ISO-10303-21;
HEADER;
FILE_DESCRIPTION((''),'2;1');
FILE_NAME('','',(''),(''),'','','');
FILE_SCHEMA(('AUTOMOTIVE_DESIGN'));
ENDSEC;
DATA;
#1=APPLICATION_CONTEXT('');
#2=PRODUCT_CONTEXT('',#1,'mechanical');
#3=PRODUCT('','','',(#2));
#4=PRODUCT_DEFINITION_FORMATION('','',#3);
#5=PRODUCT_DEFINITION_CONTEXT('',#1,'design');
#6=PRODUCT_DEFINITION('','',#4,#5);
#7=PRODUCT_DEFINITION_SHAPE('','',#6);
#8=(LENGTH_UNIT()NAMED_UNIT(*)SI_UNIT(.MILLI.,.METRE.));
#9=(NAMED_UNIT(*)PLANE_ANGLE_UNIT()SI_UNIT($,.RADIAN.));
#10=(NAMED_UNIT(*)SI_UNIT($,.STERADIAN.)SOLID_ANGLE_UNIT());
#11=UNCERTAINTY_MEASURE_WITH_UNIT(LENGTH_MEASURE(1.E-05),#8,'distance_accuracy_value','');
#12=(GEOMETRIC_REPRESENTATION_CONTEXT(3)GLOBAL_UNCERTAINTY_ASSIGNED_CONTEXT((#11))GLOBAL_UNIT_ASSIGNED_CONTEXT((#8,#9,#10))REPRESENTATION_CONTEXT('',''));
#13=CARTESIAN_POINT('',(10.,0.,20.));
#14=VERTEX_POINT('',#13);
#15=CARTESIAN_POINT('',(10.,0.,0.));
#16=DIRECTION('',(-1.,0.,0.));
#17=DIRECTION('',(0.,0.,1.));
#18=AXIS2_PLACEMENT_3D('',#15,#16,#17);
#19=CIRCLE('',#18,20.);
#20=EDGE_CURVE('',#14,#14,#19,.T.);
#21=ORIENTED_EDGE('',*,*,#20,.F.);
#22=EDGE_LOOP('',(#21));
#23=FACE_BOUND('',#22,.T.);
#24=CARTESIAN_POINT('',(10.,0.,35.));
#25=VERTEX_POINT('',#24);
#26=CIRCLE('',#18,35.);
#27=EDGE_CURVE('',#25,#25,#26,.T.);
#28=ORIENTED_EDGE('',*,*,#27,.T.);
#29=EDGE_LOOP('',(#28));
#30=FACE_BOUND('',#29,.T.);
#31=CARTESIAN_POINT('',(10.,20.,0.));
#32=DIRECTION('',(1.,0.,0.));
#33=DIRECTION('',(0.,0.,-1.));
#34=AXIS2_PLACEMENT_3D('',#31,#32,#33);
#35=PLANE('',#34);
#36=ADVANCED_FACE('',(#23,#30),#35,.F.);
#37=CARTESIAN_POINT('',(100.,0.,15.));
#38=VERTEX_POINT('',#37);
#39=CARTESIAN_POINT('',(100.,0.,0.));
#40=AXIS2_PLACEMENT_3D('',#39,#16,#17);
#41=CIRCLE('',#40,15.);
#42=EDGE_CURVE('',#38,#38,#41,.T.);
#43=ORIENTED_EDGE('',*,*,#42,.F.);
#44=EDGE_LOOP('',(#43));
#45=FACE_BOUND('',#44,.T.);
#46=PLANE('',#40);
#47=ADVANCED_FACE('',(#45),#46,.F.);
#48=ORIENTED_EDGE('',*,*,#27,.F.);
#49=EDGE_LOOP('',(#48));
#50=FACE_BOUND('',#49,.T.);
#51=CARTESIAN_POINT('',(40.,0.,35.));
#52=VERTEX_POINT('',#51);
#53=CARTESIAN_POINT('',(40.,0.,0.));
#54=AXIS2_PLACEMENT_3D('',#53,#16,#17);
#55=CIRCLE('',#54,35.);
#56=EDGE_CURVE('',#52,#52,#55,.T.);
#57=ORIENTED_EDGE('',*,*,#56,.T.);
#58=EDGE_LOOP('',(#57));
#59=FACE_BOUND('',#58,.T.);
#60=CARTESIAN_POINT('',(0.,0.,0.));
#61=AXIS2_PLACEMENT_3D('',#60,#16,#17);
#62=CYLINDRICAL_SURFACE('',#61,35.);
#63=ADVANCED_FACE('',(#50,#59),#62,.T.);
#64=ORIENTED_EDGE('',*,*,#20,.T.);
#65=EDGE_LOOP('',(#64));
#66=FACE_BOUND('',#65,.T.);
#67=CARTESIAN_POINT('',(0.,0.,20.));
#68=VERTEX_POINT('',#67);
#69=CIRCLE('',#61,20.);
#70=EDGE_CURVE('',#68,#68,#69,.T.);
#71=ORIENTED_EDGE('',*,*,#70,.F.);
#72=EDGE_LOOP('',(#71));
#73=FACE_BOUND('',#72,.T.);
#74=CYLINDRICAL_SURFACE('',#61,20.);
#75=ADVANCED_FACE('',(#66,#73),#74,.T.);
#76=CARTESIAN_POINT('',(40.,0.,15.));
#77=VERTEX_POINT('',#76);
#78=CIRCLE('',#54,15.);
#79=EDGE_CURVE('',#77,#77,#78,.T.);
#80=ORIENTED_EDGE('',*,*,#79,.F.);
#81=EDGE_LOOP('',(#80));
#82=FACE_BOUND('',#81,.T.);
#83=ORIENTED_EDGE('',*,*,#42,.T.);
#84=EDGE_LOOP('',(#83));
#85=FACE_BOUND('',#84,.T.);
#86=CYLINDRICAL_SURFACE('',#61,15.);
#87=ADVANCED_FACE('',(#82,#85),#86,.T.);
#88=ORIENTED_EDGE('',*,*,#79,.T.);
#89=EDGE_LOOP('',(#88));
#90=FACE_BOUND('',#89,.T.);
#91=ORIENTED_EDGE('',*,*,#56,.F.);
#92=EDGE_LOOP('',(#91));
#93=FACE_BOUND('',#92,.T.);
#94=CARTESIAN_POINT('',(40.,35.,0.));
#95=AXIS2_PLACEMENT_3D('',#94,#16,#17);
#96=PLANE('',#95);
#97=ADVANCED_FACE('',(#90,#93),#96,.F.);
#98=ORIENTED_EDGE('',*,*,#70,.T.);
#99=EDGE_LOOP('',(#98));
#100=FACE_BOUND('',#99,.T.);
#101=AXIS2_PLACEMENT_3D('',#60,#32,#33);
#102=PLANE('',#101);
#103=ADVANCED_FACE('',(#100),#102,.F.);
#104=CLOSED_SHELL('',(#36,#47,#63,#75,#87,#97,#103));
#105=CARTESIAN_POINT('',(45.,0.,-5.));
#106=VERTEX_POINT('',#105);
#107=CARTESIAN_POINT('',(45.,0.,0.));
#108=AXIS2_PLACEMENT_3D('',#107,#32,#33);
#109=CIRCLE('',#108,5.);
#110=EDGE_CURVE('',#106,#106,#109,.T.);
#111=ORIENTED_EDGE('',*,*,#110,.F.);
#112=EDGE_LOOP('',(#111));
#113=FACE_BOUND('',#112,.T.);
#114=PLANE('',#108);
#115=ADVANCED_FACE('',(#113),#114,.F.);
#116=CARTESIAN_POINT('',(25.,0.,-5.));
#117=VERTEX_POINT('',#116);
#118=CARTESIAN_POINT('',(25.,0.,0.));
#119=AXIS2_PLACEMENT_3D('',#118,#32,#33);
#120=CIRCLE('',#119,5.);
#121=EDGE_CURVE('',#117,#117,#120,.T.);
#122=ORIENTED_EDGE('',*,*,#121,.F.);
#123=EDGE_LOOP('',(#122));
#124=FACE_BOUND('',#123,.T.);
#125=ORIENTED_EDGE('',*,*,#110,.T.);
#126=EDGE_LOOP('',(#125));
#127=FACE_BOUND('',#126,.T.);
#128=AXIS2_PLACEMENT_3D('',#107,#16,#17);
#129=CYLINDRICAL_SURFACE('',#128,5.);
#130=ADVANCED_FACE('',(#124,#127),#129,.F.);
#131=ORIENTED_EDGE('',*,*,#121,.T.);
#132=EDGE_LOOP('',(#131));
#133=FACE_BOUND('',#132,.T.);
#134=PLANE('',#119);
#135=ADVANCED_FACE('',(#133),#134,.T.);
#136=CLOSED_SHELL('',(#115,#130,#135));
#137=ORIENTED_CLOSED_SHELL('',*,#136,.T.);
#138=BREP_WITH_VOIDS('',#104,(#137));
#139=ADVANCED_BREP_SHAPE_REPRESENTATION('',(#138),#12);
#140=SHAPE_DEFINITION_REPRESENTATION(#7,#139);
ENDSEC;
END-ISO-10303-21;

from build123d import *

# Parameters (mm, degrees)
SKETCH_2_R          = 5
CUT_EXTRUDE_1_DEPTH = 20


with BuildPart() as part:
    # Эскиз1 → Повернуть1 (revolve)
    with BuildSketch(Plane.XY, mode=Mode.PRIVATE) as revolve_1_sk:
        Polygon((0, 0), (100, 0), (100, 15), (40, 15), (40, 35), (10, 35), (10, 20), (0, 20), align=None)
    revolve(revolve_1_sk.sketch.rotate(Axis((0, 0, 0), (1, 0, 0)), 90), axis=Axis((0, 0, 0), (1, 0, 0)))

    # Эскиз2 → Вырез-Вытянуть1 (cut)
    with BuildSketch(Plane(origin=(25, 0, 0), x_dir=(0, 0, -1), z_dir=(1, 0, 0))):
        Circle(SKETCH_2_R)
    extrude(amount=CUT_EXTRUDE_1_DEPTH, mode=Mode.SUBTRACT)


solid = part.part
